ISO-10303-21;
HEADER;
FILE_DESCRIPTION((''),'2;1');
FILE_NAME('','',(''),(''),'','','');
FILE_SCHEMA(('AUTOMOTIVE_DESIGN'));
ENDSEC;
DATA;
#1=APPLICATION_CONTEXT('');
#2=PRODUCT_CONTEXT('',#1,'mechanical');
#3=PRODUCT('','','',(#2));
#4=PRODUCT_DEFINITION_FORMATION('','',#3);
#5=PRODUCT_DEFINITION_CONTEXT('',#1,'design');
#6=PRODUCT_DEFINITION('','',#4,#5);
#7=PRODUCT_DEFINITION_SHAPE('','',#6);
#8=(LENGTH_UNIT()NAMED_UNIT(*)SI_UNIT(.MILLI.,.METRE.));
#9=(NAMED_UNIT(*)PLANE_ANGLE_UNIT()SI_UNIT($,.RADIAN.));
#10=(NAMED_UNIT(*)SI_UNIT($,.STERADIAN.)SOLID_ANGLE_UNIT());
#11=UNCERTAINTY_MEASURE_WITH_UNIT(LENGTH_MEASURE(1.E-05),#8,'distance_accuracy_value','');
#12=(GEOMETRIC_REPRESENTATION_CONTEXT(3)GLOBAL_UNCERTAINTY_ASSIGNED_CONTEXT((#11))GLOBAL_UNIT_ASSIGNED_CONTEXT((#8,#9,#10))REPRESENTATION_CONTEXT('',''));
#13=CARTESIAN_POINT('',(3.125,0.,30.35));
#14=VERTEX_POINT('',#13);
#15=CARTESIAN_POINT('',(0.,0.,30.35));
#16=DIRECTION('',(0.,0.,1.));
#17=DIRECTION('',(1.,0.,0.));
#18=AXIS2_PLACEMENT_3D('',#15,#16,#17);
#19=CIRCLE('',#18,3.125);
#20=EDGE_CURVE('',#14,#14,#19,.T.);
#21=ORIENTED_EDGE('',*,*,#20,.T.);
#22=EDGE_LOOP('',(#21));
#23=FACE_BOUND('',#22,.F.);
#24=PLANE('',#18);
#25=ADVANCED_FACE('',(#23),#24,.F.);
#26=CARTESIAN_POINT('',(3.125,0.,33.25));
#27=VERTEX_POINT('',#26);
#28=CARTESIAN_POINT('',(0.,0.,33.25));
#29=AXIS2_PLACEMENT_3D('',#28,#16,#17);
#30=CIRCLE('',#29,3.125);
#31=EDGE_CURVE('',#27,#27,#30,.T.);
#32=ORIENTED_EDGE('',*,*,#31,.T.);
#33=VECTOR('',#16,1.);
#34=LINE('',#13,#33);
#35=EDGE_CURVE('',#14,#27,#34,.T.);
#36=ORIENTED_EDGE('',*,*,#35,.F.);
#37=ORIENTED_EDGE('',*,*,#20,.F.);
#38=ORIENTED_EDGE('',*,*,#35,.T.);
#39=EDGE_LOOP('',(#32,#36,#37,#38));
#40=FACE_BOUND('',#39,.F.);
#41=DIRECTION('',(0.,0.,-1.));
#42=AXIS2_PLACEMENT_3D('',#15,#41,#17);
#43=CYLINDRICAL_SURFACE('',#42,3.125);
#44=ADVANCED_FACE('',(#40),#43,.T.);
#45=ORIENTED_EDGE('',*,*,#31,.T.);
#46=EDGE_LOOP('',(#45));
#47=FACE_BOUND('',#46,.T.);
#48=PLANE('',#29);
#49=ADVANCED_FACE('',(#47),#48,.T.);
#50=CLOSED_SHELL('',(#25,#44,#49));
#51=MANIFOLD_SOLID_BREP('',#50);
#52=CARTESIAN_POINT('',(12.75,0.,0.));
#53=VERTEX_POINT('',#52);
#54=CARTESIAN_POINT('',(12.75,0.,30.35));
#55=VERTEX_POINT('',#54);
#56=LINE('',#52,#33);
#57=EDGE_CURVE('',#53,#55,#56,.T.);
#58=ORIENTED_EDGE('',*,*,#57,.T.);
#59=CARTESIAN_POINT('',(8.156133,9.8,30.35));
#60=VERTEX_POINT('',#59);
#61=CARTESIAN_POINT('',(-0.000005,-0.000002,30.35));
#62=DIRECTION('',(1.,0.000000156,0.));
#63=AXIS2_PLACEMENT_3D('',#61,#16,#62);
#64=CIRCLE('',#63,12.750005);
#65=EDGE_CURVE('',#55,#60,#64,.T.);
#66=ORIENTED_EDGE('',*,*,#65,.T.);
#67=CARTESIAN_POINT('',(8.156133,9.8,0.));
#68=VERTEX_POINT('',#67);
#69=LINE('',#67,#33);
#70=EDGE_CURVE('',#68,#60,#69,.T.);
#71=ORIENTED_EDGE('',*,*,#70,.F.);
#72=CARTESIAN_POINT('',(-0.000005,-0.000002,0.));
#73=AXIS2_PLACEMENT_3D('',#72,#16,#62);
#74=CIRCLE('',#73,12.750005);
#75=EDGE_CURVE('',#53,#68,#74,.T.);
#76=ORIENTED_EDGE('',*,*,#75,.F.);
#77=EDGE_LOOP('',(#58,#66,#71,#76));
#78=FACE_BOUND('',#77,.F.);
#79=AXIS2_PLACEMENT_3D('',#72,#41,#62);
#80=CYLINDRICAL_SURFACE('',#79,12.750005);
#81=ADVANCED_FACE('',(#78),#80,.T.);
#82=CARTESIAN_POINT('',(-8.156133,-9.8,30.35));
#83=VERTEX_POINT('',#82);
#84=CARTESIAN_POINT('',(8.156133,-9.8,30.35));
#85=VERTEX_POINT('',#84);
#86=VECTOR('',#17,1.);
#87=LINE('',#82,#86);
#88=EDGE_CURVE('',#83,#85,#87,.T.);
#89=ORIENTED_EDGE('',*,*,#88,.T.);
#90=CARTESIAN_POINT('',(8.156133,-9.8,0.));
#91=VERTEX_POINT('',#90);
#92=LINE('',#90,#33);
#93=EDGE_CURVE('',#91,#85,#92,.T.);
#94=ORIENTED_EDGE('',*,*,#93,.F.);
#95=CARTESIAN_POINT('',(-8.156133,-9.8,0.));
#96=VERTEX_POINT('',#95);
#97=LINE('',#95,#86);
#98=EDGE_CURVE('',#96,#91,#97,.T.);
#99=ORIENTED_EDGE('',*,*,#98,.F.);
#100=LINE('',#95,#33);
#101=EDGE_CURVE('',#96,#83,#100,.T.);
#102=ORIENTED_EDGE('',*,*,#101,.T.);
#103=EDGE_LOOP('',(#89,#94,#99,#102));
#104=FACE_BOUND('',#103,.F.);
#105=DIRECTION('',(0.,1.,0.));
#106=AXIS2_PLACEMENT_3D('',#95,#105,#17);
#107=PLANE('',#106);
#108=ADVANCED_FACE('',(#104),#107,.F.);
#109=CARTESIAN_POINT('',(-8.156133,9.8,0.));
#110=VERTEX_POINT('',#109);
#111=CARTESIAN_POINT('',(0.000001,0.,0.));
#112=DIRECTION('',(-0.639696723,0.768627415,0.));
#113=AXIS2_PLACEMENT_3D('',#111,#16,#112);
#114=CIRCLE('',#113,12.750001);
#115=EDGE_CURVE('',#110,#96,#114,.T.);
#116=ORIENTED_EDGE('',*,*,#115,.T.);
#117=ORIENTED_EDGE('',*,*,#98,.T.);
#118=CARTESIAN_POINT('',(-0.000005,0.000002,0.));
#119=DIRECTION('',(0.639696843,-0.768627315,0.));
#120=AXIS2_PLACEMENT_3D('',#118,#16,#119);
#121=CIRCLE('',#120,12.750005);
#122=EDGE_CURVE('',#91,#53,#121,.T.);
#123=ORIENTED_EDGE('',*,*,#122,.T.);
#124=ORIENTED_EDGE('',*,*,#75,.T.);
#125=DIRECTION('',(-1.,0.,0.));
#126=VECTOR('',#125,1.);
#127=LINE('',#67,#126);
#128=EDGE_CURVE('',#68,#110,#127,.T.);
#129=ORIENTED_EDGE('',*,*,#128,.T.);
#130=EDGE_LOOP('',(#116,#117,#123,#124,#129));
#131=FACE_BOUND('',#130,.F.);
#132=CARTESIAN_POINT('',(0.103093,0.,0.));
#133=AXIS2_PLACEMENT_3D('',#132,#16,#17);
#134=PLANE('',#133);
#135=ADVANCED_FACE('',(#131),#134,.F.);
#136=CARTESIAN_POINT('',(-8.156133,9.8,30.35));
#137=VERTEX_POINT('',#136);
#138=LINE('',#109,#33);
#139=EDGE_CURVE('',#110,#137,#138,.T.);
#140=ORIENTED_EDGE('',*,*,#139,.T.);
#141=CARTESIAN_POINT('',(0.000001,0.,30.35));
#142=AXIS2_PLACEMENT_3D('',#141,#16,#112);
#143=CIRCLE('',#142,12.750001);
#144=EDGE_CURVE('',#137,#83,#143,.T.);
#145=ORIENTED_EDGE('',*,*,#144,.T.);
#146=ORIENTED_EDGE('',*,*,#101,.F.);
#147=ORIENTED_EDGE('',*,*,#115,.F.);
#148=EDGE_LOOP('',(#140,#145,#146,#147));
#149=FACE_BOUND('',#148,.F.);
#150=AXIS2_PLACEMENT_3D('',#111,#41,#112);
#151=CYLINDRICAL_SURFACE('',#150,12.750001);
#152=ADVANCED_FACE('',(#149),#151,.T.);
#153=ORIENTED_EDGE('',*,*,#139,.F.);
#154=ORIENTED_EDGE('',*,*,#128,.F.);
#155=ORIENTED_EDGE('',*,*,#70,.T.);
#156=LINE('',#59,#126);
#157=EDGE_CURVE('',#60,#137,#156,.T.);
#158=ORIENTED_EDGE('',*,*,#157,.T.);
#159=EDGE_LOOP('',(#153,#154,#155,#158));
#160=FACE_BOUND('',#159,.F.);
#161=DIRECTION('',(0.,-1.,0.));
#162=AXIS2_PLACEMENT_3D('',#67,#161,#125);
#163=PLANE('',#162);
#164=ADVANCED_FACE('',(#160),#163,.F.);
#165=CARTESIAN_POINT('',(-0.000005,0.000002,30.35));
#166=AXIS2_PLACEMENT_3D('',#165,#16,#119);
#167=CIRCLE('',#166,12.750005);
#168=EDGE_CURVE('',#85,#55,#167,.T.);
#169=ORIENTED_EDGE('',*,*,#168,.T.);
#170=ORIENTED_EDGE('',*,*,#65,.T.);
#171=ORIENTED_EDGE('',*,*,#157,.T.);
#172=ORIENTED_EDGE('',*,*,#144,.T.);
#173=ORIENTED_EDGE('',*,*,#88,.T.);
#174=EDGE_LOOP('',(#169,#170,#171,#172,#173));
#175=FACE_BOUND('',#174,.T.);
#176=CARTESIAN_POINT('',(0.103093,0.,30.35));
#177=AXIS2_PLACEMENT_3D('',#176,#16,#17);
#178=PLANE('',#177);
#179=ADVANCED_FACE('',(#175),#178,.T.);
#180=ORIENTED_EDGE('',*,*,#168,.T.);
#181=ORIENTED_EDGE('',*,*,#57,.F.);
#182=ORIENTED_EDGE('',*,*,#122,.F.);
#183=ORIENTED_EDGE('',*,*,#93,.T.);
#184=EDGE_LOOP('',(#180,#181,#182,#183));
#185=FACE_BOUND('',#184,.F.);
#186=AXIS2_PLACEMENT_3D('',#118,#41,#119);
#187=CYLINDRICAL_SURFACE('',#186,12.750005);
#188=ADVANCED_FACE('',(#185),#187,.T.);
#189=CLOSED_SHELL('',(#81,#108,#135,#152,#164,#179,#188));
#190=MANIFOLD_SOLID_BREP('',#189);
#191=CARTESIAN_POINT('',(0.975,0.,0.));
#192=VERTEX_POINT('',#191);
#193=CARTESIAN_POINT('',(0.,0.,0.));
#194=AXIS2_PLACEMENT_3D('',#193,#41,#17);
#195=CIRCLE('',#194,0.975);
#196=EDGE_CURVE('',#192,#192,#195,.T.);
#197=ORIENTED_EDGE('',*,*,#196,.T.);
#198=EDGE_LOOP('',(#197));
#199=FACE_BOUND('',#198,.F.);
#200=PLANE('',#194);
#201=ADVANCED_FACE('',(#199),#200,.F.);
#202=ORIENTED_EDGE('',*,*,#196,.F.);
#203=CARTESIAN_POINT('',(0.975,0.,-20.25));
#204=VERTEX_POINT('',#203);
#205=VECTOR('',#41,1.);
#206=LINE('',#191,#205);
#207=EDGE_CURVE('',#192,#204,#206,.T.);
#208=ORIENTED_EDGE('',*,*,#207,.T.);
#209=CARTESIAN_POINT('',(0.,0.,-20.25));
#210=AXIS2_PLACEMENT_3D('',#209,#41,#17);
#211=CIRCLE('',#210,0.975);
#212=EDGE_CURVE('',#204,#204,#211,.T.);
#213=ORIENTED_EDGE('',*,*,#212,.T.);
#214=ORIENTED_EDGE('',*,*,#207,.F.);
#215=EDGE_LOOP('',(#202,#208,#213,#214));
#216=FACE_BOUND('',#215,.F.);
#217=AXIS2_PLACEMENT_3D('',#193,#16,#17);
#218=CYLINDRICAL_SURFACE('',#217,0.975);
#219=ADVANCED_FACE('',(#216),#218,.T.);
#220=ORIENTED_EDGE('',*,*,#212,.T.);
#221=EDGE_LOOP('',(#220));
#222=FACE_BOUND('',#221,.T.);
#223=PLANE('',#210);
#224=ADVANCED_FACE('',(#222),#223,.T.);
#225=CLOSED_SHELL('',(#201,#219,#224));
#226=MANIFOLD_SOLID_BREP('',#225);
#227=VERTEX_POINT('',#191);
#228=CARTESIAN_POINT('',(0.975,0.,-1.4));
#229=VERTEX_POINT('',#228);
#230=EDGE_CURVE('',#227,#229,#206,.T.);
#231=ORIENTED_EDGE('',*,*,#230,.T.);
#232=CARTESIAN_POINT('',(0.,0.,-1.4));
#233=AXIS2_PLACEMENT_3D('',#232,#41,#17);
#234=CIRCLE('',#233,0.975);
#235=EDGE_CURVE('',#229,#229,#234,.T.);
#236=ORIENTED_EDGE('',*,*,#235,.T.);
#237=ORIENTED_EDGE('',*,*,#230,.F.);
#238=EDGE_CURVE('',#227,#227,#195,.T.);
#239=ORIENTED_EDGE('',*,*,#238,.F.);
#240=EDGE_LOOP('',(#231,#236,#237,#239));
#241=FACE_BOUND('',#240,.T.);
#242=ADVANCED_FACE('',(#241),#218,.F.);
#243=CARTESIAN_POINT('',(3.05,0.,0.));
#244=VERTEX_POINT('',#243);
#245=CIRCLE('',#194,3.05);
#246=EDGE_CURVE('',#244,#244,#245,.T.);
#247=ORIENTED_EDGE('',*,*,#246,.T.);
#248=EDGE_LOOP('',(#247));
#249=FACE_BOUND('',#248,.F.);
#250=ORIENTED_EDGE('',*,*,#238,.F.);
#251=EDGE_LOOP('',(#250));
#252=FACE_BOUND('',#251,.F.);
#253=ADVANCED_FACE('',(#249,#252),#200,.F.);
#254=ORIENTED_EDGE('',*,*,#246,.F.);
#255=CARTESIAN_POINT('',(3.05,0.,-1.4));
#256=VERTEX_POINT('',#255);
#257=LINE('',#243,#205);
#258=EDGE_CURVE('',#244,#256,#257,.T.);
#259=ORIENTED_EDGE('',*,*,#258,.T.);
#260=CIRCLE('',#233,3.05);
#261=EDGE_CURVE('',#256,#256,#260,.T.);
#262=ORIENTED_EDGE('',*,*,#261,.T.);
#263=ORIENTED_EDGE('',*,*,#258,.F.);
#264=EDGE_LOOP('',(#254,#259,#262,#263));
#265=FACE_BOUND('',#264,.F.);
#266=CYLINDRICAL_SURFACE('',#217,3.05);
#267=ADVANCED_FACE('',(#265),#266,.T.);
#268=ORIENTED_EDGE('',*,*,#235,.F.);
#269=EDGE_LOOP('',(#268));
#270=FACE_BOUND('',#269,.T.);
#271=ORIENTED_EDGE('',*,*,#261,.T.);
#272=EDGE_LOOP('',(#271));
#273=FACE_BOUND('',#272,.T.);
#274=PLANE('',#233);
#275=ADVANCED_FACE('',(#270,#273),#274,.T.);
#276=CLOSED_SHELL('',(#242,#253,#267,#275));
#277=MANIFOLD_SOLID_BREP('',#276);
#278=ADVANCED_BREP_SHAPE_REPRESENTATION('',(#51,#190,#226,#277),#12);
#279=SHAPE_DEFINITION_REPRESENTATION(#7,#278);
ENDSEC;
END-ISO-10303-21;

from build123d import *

# Parameters (mm, degrees)
F1_DEPTH = 30.35
F2_R     = 3.05
F2_R_2   = 0.975
F3_DEPTH = 1.4
F4_R     = 3.125
F5_DEPTH = 2.9
F6_DEPTH = 20.25


with BuildPart() as f1:
    # F0 (on Top) → F1 (new body)
    with BuildSketch(Plane.XY):
        with BuildLine():
            ThreePointArc((8.156133, -9.8), (11.544548, -5.411645), (12.75, 0))
            ThreePointArc((12.75, 0), (11.544548, 5.411645), (8.156133, 9.8))
            Line((8.156133, 9.8), (-8.156133, 9.8))
            ThreePointArc((-8.156133, 9.8), (-12.75, 0), (-8.156133, -9.8))
            Line((-8.156133, -9.8), (8.156133, -9.8))
        make_face()
    extrude(amount=F1_DEPTH)


with BuildPart() as f3:
    # F2 (on face) → F3 (new body)
    with BuildSketch(Plane(origin=(0, 0, 0), x_dir=(1, 0, 0), z_dir=(0, 0, -1))):
        Circle(F2_R)
        Circle(F2_R_2, mode=Mode.SUBTRACT)
    extrude(amount=F3_DEPTH)


with BuildPart() as f5:
    # F4 (on face) → F5 (new body)
    with BuildSketch(Plane.XY.offset(30.35)):
        Circle(F4_R)
    extrude(amount=F5_DEPTH)


with BuildPart() as f6:
    # F2 (on face) → F6 (new body)
    with BuildSketch(Plane(origin=(0, 0, 0), x_dir=(1, 0, 0), z_dir=(0, 0, -1))):
        Circle(F2_R_2)
    extrude(amount=F6_DEPTH)


solid = Compound([f1.part, f3.part, f5.part, f6.part])
